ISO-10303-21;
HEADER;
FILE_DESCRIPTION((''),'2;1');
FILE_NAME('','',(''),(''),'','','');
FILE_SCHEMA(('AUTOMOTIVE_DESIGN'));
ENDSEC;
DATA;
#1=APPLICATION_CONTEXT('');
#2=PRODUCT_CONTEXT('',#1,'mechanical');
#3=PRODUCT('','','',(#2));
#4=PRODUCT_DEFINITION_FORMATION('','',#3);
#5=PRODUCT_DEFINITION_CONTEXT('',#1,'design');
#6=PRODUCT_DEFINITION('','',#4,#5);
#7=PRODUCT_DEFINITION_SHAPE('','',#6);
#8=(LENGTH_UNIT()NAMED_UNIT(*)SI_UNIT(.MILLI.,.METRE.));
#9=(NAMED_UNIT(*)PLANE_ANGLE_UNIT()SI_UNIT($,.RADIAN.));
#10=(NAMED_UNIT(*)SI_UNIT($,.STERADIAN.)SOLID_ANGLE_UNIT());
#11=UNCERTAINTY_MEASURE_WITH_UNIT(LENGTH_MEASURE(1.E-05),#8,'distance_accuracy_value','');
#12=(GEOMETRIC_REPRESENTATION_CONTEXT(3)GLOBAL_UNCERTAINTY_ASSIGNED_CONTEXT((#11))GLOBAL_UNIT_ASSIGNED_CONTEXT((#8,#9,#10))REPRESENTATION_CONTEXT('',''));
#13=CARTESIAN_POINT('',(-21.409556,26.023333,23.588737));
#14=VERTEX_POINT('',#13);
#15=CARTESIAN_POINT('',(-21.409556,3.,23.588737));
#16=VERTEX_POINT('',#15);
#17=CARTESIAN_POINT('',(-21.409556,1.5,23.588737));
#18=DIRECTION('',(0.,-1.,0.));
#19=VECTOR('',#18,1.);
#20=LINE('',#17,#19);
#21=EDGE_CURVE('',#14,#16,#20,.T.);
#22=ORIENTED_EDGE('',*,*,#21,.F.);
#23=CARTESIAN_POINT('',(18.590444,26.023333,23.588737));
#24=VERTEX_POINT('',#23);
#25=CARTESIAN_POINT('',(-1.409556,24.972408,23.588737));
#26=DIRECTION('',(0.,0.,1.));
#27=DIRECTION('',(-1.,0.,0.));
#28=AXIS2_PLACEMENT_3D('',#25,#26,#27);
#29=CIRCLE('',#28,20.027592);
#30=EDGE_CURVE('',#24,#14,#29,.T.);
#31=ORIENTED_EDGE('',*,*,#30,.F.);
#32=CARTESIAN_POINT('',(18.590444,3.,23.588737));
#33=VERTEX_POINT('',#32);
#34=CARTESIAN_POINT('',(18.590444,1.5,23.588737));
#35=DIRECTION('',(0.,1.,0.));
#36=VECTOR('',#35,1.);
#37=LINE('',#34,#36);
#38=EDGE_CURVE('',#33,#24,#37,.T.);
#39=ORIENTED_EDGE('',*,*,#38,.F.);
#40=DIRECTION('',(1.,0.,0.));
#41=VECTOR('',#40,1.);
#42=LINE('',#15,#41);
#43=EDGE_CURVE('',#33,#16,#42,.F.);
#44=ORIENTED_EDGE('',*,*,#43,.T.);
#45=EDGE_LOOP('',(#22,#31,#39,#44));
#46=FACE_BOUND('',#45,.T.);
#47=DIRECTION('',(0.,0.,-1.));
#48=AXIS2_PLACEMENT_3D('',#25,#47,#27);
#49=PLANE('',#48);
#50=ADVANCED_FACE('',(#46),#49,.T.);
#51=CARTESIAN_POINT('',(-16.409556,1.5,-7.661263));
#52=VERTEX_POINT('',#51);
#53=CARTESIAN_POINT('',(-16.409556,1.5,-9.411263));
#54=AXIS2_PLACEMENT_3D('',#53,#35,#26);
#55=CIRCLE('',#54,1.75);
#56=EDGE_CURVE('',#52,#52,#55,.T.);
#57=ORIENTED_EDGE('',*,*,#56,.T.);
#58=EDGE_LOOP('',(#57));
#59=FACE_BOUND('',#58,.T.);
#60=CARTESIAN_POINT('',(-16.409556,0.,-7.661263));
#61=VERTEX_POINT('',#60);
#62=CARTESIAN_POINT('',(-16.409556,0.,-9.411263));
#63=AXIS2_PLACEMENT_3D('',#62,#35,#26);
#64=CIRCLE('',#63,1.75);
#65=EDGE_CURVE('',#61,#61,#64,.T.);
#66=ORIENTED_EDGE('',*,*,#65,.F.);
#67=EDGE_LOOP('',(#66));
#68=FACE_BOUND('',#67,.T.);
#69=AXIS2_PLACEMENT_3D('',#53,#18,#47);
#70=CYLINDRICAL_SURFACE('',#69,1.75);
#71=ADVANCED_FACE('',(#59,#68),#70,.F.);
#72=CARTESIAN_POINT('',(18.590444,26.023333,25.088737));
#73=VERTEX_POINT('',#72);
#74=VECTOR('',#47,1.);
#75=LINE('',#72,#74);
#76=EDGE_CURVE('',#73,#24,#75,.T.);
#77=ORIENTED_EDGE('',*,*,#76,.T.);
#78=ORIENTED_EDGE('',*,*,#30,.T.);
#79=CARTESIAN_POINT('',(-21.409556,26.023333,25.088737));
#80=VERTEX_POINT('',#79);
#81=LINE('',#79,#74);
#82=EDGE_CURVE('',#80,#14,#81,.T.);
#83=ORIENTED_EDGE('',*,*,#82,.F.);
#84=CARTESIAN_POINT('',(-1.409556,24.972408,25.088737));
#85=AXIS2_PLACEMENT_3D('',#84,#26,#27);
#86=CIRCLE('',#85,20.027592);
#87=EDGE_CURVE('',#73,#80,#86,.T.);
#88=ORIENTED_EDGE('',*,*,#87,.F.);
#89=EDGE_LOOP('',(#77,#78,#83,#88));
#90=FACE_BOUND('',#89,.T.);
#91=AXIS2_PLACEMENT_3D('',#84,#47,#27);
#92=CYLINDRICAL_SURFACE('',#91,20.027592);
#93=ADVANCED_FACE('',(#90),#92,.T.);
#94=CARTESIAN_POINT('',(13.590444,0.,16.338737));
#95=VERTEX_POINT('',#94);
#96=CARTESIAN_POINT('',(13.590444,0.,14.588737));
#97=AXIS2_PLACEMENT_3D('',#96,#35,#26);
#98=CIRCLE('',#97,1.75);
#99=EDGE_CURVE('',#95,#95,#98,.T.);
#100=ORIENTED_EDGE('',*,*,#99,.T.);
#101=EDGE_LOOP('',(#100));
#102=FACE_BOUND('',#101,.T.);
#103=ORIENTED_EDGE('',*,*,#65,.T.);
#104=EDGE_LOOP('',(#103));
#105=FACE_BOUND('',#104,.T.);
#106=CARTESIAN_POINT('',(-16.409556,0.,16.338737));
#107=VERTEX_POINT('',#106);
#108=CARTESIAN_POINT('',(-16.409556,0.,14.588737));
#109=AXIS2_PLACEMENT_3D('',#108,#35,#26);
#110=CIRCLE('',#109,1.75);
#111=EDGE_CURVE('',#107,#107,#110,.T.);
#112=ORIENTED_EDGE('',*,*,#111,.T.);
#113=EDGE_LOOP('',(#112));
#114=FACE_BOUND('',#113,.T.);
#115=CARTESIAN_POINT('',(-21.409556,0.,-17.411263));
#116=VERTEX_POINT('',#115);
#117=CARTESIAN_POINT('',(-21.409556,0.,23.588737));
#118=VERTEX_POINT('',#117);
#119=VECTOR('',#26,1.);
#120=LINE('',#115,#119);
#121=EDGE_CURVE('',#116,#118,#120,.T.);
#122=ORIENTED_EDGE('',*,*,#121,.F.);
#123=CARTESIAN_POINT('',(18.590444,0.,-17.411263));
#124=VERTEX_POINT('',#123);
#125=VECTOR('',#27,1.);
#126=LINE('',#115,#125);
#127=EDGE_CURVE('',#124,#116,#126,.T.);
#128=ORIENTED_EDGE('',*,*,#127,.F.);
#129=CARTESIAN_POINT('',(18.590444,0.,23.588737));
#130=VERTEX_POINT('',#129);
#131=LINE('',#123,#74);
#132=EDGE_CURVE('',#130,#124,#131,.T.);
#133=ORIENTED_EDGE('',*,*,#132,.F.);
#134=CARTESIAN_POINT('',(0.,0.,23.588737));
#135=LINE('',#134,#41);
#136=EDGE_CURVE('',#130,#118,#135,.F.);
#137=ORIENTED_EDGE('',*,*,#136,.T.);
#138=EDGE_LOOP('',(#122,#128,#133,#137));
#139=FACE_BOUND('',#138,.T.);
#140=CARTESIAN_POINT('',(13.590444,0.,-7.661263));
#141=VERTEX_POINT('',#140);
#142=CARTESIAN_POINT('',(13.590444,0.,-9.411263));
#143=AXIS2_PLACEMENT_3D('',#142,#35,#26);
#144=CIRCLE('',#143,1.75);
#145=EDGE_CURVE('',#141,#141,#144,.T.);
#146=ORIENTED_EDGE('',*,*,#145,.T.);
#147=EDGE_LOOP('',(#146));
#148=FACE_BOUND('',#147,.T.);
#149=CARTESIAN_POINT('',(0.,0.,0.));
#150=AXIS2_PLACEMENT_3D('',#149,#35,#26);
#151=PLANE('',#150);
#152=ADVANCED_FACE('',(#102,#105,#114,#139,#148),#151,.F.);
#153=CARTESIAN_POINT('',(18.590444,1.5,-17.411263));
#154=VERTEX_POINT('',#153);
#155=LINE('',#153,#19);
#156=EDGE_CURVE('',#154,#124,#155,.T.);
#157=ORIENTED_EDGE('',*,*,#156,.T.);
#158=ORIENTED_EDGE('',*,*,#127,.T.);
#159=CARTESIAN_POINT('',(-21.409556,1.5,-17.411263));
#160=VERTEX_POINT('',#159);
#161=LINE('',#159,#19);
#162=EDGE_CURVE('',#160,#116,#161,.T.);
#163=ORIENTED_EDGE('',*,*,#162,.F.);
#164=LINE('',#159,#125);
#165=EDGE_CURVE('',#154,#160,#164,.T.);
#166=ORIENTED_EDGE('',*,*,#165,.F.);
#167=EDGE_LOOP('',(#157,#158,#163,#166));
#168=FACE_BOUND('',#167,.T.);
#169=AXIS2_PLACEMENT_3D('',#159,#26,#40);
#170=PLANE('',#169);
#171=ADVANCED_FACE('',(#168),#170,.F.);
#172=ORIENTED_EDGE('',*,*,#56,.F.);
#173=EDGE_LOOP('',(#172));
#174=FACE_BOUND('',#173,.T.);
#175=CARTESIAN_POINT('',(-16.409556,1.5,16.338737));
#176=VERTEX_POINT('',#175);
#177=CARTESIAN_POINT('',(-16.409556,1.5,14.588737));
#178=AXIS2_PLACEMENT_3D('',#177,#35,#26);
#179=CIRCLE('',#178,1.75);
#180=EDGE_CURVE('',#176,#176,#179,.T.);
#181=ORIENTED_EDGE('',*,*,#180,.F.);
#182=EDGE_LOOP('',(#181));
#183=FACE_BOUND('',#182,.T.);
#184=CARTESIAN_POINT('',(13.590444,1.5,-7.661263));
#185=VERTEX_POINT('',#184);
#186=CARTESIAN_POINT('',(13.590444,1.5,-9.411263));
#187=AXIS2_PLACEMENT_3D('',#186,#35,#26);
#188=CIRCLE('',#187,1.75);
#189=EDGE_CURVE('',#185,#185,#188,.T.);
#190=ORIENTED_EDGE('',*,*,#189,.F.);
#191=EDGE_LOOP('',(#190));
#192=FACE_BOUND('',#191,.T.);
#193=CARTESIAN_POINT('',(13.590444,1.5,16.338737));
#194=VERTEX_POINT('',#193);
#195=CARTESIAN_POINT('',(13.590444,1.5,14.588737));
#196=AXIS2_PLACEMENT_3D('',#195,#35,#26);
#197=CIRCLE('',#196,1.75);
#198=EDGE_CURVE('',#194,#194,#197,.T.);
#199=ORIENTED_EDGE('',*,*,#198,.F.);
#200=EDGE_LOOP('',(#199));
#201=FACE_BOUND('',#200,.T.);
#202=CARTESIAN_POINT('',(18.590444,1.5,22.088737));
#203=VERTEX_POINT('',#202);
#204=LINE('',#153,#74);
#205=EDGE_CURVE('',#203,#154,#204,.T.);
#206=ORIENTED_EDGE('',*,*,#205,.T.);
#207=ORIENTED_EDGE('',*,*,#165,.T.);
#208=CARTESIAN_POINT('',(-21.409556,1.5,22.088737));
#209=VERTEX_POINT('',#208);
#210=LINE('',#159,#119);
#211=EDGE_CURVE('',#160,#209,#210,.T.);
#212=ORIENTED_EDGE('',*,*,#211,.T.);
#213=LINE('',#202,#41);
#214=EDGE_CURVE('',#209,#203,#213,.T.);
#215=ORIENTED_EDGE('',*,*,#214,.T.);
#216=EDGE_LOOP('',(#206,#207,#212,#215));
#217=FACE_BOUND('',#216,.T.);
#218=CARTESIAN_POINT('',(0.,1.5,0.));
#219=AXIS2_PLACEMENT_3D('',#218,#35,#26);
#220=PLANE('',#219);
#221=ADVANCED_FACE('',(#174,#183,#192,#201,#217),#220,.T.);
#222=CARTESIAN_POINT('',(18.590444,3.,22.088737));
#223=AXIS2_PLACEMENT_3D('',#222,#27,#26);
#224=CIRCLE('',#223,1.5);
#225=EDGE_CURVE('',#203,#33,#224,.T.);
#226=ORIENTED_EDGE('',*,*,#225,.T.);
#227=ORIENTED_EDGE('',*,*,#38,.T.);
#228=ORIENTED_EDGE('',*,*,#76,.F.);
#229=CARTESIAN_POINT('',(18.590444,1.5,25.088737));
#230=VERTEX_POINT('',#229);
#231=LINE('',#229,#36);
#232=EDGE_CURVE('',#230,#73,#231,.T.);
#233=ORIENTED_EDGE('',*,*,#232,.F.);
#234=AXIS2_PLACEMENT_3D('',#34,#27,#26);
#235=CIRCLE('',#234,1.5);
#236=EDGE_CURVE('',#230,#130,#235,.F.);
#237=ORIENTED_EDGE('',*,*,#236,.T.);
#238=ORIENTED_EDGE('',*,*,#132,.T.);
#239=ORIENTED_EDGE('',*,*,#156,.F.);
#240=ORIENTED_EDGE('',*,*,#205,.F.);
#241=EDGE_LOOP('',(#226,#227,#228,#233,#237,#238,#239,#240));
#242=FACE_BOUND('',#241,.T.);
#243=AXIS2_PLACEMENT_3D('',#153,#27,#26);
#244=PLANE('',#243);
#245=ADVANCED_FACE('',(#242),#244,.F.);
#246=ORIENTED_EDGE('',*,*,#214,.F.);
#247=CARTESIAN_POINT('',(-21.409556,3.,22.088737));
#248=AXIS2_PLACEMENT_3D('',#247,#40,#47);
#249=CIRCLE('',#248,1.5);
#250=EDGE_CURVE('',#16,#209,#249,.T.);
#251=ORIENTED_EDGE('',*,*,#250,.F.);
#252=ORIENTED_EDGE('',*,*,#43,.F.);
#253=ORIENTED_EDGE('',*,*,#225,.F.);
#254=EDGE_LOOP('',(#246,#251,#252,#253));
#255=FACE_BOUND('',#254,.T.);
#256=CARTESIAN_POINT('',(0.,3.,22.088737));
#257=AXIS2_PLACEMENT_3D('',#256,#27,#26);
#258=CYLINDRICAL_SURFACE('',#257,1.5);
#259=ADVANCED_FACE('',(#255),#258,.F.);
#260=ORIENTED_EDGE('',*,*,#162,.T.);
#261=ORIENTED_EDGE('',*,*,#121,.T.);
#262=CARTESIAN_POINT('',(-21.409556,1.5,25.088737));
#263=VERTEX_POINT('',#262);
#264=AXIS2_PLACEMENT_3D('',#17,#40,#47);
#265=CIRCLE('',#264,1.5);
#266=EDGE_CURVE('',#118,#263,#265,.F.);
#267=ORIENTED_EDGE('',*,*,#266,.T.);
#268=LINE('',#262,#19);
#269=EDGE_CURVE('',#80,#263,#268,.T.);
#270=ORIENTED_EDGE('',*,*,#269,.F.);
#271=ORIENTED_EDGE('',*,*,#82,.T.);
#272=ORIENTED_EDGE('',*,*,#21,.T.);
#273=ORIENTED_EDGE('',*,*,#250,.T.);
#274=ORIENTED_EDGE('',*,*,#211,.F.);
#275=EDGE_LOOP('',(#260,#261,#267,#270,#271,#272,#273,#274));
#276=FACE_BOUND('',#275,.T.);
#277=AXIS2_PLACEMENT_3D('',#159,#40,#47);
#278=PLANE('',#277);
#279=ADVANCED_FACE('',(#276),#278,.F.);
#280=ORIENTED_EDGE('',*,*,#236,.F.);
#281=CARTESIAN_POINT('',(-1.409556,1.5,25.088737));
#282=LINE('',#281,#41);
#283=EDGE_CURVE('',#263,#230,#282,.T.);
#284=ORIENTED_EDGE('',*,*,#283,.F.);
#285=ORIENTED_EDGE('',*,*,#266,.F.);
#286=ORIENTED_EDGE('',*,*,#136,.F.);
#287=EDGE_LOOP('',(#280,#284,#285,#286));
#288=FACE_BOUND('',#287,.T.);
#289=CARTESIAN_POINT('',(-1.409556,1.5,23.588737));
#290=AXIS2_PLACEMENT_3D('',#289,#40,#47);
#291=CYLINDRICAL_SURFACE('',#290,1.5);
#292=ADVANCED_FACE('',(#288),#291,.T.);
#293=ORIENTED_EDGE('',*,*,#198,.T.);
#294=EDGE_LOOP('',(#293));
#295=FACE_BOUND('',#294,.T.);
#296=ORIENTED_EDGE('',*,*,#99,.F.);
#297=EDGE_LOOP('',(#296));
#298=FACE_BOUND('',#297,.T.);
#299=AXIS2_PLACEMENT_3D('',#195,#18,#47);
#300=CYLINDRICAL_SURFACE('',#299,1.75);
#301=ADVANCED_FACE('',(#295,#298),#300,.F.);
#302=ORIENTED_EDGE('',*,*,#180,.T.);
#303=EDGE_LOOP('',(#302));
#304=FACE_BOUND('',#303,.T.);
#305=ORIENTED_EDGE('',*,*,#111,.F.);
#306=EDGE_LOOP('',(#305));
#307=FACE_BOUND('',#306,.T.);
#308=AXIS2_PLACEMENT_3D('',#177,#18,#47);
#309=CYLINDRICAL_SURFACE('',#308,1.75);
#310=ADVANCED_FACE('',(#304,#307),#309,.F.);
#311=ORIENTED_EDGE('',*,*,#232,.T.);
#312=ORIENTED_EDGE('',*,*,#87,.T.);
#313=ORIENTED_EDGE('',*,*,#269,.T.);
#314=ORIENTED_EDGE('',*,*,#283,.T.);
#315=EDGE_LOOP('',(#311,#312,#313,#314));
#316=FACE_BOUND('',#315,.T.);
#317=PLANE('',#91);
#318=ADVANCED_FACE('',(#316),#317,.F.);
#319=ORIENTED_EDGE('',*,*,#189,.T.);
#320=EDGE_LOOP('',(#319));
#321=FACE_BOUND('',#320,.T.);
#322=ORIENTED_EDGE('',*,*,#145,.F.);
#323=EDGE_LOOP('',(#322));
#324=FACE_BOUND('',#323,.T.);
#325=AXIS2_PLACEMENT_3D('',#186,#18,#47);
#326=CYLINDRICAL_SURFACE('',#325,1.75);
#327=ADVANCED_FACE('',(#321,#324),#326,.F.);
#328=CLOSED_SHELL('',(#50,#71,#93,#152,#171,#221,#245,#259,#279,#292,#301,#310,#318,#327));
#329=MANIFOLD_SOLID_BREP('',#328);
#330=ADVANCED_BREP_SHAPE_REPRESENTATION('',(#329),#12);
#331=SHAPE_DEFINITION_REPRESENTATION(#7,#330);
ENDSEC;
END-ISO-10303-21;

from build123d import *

# Parameters (mm, degrees)
SKETCH_1_W      = 40
SKETCH_1_H      = 41
SKETCH_1_R      = 1.75
EXTRUDE_1_DEPTH = 1.5
EXTRUDE_2_DEPTH = 1.5
FILLET_1_R      = 1.5


with BuildPart() as part:
    # 草图1 → 凸台-拉伸1 (new body)
    with BuildSketch(Plane(origin=(0, 0, 0), x_dir=(1, 0, 0), z_dir=(0, 1, 0))):
        with Locations((-1.409556314, -3.088737201)):
            Rectangle(SKETCH_1_W, SKETCH_1_H)
        with Locations(Location((-16.409556314, 9.411262799, 0), (0, 0, 270))):
            Circle(SKETCH_1_R, mode=Mode.SUBTRACT)
        with Locations(Location((-16.409556314, -14.588737201, 0), (0, 0, 270))):
            Circle(SKETCH_1_R, mode=Mode.SUBTRACT)
        with Locations(Location((13.590443686, 9.411262799, 0), (0, 0, 270))):
            Circle(SKETCH_1_R, mode=Mode.SUBTRACT)
        with Locations(Location((13.590443686, -14.588737201, 0), (0, 0, 270))):
            Circle(SKETCH_1_R, mode=Mode.SUBTRACT)
    extrude(amount=EXTRUDE_1_DEPTH)

    # 草图2 → 凸台-拉伸2 (add)
    with BuildSketch(Plane.XY.offset(23.588737201)):
        with BuildLine():
            Line((-21.409556314, 1.5), (-21.409556314, 26.02333316))
            ThreePointArc((-21.409556314, 26.02333316), (-1.409556314, 45), (18.590443686, 26.02333316))
            Line((18.590443686, 26.02333316), (18.590443686, 1.5))
            Line((18.590443686, 1.5), (18.590443686, 0))
            Line((18.590443686, 0), (-21.409556314, 0))
            Line((-21.409556314, 0), (-21.409556314, 1.5))
        make_face()
    extrude(amount=EXTRUDE_2_DEPTH)

    # 圆角1
    fillet_1_edges = [part.edges().sort_by_distance(p)[0] for p in [
        (-1.409556314, 0, 25.088737201),
        (-1.409556314, 1.5, 23.588737201),
    ]]
    fillet(fillet_1_edges, radius=FILLET_1_R)


solid = part.part
